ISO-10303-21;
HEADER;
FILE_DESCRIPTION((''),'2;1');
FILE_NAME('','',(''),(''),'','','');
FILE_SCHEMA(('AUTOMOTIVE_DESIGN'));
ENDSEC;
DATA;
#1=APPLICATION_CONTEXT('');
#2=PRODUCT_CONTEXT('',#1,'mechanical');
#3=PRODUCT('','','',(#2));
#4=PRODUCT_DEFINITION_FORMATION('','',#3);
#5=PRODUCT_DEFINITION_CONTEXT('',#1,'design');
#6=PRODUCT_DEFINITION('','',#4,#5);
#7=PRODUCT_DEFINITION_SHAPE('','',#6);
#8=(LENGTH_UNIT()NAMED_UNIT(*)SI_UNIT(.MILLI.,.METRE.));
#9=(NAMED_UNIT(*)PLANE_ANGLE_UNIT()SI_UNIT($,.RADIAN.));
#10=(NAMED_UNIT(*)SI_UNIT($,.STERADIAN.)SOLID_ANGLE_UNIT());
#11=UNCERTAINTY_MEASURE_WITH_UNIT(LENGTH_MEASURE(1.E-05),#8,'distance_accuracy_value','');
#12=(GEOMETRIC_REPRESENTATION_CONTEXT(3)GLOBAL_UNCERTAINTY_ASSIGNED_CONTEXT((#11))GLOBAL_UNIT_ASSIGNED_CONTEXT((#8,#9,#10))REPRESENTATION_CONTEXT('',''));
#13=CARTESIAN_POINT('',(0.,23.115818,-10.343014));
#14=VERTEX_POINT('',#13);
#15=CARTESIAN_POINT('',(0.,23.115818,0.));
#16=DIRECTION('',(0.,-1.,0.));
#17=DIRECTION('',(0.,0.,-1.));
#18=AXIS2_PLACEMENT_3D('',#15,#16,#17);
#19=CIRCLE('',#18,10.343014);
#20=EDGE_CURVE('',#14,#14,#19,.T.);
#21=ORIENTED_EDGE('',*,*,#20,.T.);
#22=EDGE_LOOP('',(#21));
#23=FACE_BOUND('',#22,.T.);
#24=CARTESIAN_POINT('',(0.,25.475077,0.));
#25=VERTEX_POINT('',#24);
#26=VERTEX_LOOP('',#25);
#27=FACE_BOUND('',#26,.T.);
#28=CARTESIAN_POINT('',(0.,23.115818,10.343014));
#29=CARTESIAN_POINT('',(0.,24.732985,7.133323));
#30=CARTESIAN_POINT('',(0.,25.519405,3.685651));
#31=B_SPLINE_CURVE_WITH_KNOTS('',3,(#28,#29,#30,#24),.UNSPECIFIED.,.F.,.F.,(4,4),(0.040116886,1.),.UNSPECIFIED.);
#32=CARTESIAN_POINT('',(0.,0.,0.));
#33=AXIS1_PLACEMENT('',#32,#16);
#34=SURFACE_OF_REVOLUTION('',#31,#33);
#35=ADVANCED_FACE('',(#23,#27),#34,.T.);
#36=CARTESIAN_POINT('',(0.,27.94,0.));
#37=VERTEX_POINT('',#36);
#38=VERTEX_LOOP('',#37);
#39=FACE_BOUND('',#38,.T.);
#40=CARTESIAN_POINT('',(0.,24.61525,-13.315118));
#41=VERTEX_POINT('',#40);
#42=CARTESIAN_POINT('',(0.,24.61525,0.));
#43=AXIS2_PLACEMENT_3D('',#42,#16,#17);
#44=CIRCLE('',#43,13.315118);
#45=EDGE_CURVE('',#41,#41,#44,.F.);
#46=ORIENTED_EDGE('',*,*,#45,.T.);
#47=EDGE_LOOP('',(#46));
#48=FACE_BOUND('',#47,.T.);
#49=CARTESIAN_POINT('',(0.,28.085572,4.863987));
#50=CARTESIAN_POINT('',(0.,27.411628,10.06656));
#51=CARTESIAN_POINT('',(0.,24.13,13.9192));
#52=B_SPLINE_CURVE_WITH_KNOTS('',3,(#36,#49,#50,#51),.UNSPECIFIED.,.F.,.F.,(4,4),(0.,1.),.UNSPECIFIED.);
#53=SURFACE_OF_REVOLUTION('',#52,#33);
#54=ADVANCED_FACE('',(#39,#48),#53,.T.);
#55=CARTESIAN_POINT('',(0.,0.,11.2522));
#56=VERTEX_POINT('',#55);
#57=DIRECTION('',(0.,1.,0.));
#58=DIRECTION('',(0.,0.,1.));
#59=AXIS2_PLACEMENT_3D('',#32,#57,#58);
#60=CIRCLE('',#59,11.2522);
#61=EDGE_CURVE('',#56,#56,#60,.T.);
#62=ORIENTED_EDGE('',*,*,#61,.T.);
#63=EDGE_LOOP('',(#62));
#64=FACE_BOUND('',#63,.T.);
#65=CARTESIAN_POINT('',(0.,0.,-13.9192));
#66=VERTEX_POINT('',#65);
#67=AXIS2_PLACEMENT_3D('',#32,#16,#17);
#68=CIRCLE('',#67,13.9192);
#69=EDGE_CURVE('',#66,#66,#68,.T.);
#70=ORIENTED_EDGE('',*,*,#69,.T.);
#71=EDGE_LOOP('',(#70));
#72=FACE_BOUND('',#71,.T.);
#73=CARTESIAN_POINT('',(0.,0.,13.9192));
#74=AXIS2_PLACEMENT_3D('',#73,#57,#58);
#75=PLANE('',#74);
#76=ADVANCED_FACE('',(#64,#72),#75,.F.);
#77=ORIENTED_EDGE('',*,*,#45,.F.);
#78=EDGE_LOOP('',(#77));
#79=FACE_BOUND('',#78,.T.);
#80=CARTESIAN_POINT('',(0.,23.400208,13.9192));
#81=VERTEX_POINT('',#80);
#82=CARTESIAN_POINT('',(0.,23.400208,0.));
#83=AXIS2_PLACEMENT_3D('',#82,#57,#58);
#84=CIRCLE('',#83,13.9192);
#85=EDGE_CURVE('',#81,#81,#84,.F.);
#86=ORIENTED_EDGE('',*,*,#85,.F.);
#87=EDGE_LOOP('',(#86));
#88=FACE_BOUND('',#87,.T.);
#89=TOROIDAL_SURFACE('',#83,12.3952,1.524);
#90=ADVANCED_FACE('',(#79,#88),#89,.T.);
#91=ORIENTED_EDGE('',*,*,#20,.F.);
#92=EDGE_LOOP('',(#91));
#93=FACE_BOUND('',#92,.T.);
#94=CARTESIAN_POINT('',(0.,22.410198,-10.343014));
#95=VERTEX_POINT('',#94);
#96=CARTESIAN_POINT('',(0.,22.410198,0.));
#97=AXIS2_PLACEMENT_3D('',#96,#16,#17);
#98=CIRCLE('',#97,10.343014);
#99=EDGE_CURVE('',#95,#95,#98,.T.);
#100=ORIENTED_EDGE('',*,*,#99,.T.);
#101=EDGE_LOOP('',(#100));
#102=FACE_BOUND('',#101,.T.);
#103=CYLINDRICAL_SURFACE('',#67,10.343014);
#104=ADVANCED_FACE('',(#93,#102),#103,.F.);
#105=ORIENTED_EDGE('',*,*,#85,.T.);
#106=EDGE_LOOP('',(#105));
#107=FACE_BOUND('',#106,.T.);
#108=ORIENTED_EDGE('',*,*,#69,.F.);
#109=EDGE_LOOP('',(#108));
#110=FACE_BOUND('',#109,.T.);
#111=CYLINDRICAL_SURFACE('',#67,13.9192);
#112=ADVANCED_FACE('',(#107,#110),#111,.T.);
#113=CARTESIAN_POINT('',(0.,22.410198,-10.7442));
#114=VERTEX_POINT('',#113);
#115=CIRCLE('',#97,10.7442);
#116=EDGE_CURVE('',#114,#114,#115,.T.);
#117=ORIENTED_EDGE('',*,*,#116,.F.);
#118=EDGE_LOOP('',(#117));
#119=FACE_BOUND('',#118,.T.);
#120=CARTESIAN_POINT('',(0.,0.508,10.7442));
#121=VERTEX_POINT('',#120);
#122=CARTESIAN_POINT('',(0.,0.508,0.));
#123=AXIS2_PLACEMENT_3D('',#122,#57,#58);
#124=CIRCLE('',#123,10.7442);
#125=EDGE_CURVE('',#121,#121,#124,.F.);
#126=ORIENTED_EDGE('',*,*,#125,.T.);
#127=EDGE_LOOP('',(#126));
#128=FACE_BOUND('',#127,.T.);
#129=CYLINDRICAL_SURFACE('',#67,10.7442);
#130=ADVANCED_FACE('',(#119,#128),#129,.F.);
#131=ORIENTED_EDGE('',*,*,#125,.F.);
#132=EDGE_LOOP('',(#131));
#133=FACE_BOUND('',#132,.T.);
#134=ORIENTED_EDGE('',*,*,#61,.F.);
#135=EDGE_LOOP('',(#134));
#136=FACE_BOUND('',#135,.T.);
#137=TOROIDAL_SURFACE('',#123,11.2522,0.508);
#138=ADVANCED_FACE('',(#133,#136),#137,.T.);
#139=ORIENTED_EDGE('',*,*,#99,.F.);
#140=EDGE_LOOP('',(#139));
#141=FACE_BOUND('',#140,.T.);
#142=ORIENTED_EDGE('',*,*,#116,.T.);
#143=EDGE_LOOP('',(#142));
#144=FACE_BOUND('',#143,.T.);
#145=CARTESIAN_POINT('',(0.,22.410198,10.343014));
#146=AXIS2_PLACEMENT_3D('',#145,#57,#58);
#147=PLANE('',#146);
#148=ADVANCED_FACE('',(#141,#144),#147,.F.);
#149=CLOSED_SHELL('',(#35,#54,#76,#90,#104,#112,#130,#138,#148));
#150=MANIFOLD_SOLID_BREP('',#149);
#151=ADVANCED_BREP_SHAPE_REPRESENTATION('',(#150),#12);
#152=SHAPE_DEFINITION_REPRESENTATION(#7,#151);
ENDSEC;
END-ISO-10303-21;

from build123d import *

# Parameters (mm, degrees)
FILLET1_R = 0.508
FILLET2_R = 1.524


with BuildPart() as part:
    # Sketch1 → Revolve1 (revolve)
    with BuildSketch(Plane(origin=(0, 0, 0), x_dir=(0, 0, -1), z_dir=(1, 0, 0)), mode=Mode.PRIVATE) as revolve1_sk:
        with BuildLine():
            Line((-10.7442, 22.410197806), (-10.7442, 0))
            Line((-10.7442, 0), (-13.9192, 0))
            Line((-13.9192, 0), (-13.9192, 24.13))
            add(Edge.make_bspline(
                [(-13.9192, 24.13), (-10.066559664, 27.411628122), (-4.86398701, 28.085571939), (0, 27.94)],
                knots=[0, 0, 0, 0, 1, 1, 1, 1], degree=3))
            Line((0, 27.94), (0, 25.475077416))
            add(Edge.make_bspline(
                [(-10.343014188, 23.11581757), (-7.133322616, 24.732985356), (-3.68565122, 25.519405304), (0, 25.475077416)],
                knots=[0.040116886, 0.040116886, 0.040116886, 0.040116886, 1, 1, 1, 1], degree=3))
            Line((-10.343014188, 23.11581757), (-10.343014188, 22.410197806))
            Line((-10.343014188, 22.410197806), (-10.7442, 22.410197806))
        make_face()
    revolve(revolve1_sk.sketch.rotate(Axis((0, 0, 0), (0, 1, 0)), 180), axis=Axis((0, 0, 0), (0, 1, 0)))

    # Fillet1
    fillet1_edges = [part.edges().sort_by_distance(p)[0] for p in [
        (0, 0, 10.7442),
    ]]
    fillet(fillet1_edges, radius=FILLET1_R)

    # Fillet2
    fillet2_edges = [part.edges().sort_by_distance(p)[0] for p in [
        (0, 24.13, 13.9192),
    ]]
    fillet(fillet2_edges, radius=FILLET2_R)


solid = part.part
